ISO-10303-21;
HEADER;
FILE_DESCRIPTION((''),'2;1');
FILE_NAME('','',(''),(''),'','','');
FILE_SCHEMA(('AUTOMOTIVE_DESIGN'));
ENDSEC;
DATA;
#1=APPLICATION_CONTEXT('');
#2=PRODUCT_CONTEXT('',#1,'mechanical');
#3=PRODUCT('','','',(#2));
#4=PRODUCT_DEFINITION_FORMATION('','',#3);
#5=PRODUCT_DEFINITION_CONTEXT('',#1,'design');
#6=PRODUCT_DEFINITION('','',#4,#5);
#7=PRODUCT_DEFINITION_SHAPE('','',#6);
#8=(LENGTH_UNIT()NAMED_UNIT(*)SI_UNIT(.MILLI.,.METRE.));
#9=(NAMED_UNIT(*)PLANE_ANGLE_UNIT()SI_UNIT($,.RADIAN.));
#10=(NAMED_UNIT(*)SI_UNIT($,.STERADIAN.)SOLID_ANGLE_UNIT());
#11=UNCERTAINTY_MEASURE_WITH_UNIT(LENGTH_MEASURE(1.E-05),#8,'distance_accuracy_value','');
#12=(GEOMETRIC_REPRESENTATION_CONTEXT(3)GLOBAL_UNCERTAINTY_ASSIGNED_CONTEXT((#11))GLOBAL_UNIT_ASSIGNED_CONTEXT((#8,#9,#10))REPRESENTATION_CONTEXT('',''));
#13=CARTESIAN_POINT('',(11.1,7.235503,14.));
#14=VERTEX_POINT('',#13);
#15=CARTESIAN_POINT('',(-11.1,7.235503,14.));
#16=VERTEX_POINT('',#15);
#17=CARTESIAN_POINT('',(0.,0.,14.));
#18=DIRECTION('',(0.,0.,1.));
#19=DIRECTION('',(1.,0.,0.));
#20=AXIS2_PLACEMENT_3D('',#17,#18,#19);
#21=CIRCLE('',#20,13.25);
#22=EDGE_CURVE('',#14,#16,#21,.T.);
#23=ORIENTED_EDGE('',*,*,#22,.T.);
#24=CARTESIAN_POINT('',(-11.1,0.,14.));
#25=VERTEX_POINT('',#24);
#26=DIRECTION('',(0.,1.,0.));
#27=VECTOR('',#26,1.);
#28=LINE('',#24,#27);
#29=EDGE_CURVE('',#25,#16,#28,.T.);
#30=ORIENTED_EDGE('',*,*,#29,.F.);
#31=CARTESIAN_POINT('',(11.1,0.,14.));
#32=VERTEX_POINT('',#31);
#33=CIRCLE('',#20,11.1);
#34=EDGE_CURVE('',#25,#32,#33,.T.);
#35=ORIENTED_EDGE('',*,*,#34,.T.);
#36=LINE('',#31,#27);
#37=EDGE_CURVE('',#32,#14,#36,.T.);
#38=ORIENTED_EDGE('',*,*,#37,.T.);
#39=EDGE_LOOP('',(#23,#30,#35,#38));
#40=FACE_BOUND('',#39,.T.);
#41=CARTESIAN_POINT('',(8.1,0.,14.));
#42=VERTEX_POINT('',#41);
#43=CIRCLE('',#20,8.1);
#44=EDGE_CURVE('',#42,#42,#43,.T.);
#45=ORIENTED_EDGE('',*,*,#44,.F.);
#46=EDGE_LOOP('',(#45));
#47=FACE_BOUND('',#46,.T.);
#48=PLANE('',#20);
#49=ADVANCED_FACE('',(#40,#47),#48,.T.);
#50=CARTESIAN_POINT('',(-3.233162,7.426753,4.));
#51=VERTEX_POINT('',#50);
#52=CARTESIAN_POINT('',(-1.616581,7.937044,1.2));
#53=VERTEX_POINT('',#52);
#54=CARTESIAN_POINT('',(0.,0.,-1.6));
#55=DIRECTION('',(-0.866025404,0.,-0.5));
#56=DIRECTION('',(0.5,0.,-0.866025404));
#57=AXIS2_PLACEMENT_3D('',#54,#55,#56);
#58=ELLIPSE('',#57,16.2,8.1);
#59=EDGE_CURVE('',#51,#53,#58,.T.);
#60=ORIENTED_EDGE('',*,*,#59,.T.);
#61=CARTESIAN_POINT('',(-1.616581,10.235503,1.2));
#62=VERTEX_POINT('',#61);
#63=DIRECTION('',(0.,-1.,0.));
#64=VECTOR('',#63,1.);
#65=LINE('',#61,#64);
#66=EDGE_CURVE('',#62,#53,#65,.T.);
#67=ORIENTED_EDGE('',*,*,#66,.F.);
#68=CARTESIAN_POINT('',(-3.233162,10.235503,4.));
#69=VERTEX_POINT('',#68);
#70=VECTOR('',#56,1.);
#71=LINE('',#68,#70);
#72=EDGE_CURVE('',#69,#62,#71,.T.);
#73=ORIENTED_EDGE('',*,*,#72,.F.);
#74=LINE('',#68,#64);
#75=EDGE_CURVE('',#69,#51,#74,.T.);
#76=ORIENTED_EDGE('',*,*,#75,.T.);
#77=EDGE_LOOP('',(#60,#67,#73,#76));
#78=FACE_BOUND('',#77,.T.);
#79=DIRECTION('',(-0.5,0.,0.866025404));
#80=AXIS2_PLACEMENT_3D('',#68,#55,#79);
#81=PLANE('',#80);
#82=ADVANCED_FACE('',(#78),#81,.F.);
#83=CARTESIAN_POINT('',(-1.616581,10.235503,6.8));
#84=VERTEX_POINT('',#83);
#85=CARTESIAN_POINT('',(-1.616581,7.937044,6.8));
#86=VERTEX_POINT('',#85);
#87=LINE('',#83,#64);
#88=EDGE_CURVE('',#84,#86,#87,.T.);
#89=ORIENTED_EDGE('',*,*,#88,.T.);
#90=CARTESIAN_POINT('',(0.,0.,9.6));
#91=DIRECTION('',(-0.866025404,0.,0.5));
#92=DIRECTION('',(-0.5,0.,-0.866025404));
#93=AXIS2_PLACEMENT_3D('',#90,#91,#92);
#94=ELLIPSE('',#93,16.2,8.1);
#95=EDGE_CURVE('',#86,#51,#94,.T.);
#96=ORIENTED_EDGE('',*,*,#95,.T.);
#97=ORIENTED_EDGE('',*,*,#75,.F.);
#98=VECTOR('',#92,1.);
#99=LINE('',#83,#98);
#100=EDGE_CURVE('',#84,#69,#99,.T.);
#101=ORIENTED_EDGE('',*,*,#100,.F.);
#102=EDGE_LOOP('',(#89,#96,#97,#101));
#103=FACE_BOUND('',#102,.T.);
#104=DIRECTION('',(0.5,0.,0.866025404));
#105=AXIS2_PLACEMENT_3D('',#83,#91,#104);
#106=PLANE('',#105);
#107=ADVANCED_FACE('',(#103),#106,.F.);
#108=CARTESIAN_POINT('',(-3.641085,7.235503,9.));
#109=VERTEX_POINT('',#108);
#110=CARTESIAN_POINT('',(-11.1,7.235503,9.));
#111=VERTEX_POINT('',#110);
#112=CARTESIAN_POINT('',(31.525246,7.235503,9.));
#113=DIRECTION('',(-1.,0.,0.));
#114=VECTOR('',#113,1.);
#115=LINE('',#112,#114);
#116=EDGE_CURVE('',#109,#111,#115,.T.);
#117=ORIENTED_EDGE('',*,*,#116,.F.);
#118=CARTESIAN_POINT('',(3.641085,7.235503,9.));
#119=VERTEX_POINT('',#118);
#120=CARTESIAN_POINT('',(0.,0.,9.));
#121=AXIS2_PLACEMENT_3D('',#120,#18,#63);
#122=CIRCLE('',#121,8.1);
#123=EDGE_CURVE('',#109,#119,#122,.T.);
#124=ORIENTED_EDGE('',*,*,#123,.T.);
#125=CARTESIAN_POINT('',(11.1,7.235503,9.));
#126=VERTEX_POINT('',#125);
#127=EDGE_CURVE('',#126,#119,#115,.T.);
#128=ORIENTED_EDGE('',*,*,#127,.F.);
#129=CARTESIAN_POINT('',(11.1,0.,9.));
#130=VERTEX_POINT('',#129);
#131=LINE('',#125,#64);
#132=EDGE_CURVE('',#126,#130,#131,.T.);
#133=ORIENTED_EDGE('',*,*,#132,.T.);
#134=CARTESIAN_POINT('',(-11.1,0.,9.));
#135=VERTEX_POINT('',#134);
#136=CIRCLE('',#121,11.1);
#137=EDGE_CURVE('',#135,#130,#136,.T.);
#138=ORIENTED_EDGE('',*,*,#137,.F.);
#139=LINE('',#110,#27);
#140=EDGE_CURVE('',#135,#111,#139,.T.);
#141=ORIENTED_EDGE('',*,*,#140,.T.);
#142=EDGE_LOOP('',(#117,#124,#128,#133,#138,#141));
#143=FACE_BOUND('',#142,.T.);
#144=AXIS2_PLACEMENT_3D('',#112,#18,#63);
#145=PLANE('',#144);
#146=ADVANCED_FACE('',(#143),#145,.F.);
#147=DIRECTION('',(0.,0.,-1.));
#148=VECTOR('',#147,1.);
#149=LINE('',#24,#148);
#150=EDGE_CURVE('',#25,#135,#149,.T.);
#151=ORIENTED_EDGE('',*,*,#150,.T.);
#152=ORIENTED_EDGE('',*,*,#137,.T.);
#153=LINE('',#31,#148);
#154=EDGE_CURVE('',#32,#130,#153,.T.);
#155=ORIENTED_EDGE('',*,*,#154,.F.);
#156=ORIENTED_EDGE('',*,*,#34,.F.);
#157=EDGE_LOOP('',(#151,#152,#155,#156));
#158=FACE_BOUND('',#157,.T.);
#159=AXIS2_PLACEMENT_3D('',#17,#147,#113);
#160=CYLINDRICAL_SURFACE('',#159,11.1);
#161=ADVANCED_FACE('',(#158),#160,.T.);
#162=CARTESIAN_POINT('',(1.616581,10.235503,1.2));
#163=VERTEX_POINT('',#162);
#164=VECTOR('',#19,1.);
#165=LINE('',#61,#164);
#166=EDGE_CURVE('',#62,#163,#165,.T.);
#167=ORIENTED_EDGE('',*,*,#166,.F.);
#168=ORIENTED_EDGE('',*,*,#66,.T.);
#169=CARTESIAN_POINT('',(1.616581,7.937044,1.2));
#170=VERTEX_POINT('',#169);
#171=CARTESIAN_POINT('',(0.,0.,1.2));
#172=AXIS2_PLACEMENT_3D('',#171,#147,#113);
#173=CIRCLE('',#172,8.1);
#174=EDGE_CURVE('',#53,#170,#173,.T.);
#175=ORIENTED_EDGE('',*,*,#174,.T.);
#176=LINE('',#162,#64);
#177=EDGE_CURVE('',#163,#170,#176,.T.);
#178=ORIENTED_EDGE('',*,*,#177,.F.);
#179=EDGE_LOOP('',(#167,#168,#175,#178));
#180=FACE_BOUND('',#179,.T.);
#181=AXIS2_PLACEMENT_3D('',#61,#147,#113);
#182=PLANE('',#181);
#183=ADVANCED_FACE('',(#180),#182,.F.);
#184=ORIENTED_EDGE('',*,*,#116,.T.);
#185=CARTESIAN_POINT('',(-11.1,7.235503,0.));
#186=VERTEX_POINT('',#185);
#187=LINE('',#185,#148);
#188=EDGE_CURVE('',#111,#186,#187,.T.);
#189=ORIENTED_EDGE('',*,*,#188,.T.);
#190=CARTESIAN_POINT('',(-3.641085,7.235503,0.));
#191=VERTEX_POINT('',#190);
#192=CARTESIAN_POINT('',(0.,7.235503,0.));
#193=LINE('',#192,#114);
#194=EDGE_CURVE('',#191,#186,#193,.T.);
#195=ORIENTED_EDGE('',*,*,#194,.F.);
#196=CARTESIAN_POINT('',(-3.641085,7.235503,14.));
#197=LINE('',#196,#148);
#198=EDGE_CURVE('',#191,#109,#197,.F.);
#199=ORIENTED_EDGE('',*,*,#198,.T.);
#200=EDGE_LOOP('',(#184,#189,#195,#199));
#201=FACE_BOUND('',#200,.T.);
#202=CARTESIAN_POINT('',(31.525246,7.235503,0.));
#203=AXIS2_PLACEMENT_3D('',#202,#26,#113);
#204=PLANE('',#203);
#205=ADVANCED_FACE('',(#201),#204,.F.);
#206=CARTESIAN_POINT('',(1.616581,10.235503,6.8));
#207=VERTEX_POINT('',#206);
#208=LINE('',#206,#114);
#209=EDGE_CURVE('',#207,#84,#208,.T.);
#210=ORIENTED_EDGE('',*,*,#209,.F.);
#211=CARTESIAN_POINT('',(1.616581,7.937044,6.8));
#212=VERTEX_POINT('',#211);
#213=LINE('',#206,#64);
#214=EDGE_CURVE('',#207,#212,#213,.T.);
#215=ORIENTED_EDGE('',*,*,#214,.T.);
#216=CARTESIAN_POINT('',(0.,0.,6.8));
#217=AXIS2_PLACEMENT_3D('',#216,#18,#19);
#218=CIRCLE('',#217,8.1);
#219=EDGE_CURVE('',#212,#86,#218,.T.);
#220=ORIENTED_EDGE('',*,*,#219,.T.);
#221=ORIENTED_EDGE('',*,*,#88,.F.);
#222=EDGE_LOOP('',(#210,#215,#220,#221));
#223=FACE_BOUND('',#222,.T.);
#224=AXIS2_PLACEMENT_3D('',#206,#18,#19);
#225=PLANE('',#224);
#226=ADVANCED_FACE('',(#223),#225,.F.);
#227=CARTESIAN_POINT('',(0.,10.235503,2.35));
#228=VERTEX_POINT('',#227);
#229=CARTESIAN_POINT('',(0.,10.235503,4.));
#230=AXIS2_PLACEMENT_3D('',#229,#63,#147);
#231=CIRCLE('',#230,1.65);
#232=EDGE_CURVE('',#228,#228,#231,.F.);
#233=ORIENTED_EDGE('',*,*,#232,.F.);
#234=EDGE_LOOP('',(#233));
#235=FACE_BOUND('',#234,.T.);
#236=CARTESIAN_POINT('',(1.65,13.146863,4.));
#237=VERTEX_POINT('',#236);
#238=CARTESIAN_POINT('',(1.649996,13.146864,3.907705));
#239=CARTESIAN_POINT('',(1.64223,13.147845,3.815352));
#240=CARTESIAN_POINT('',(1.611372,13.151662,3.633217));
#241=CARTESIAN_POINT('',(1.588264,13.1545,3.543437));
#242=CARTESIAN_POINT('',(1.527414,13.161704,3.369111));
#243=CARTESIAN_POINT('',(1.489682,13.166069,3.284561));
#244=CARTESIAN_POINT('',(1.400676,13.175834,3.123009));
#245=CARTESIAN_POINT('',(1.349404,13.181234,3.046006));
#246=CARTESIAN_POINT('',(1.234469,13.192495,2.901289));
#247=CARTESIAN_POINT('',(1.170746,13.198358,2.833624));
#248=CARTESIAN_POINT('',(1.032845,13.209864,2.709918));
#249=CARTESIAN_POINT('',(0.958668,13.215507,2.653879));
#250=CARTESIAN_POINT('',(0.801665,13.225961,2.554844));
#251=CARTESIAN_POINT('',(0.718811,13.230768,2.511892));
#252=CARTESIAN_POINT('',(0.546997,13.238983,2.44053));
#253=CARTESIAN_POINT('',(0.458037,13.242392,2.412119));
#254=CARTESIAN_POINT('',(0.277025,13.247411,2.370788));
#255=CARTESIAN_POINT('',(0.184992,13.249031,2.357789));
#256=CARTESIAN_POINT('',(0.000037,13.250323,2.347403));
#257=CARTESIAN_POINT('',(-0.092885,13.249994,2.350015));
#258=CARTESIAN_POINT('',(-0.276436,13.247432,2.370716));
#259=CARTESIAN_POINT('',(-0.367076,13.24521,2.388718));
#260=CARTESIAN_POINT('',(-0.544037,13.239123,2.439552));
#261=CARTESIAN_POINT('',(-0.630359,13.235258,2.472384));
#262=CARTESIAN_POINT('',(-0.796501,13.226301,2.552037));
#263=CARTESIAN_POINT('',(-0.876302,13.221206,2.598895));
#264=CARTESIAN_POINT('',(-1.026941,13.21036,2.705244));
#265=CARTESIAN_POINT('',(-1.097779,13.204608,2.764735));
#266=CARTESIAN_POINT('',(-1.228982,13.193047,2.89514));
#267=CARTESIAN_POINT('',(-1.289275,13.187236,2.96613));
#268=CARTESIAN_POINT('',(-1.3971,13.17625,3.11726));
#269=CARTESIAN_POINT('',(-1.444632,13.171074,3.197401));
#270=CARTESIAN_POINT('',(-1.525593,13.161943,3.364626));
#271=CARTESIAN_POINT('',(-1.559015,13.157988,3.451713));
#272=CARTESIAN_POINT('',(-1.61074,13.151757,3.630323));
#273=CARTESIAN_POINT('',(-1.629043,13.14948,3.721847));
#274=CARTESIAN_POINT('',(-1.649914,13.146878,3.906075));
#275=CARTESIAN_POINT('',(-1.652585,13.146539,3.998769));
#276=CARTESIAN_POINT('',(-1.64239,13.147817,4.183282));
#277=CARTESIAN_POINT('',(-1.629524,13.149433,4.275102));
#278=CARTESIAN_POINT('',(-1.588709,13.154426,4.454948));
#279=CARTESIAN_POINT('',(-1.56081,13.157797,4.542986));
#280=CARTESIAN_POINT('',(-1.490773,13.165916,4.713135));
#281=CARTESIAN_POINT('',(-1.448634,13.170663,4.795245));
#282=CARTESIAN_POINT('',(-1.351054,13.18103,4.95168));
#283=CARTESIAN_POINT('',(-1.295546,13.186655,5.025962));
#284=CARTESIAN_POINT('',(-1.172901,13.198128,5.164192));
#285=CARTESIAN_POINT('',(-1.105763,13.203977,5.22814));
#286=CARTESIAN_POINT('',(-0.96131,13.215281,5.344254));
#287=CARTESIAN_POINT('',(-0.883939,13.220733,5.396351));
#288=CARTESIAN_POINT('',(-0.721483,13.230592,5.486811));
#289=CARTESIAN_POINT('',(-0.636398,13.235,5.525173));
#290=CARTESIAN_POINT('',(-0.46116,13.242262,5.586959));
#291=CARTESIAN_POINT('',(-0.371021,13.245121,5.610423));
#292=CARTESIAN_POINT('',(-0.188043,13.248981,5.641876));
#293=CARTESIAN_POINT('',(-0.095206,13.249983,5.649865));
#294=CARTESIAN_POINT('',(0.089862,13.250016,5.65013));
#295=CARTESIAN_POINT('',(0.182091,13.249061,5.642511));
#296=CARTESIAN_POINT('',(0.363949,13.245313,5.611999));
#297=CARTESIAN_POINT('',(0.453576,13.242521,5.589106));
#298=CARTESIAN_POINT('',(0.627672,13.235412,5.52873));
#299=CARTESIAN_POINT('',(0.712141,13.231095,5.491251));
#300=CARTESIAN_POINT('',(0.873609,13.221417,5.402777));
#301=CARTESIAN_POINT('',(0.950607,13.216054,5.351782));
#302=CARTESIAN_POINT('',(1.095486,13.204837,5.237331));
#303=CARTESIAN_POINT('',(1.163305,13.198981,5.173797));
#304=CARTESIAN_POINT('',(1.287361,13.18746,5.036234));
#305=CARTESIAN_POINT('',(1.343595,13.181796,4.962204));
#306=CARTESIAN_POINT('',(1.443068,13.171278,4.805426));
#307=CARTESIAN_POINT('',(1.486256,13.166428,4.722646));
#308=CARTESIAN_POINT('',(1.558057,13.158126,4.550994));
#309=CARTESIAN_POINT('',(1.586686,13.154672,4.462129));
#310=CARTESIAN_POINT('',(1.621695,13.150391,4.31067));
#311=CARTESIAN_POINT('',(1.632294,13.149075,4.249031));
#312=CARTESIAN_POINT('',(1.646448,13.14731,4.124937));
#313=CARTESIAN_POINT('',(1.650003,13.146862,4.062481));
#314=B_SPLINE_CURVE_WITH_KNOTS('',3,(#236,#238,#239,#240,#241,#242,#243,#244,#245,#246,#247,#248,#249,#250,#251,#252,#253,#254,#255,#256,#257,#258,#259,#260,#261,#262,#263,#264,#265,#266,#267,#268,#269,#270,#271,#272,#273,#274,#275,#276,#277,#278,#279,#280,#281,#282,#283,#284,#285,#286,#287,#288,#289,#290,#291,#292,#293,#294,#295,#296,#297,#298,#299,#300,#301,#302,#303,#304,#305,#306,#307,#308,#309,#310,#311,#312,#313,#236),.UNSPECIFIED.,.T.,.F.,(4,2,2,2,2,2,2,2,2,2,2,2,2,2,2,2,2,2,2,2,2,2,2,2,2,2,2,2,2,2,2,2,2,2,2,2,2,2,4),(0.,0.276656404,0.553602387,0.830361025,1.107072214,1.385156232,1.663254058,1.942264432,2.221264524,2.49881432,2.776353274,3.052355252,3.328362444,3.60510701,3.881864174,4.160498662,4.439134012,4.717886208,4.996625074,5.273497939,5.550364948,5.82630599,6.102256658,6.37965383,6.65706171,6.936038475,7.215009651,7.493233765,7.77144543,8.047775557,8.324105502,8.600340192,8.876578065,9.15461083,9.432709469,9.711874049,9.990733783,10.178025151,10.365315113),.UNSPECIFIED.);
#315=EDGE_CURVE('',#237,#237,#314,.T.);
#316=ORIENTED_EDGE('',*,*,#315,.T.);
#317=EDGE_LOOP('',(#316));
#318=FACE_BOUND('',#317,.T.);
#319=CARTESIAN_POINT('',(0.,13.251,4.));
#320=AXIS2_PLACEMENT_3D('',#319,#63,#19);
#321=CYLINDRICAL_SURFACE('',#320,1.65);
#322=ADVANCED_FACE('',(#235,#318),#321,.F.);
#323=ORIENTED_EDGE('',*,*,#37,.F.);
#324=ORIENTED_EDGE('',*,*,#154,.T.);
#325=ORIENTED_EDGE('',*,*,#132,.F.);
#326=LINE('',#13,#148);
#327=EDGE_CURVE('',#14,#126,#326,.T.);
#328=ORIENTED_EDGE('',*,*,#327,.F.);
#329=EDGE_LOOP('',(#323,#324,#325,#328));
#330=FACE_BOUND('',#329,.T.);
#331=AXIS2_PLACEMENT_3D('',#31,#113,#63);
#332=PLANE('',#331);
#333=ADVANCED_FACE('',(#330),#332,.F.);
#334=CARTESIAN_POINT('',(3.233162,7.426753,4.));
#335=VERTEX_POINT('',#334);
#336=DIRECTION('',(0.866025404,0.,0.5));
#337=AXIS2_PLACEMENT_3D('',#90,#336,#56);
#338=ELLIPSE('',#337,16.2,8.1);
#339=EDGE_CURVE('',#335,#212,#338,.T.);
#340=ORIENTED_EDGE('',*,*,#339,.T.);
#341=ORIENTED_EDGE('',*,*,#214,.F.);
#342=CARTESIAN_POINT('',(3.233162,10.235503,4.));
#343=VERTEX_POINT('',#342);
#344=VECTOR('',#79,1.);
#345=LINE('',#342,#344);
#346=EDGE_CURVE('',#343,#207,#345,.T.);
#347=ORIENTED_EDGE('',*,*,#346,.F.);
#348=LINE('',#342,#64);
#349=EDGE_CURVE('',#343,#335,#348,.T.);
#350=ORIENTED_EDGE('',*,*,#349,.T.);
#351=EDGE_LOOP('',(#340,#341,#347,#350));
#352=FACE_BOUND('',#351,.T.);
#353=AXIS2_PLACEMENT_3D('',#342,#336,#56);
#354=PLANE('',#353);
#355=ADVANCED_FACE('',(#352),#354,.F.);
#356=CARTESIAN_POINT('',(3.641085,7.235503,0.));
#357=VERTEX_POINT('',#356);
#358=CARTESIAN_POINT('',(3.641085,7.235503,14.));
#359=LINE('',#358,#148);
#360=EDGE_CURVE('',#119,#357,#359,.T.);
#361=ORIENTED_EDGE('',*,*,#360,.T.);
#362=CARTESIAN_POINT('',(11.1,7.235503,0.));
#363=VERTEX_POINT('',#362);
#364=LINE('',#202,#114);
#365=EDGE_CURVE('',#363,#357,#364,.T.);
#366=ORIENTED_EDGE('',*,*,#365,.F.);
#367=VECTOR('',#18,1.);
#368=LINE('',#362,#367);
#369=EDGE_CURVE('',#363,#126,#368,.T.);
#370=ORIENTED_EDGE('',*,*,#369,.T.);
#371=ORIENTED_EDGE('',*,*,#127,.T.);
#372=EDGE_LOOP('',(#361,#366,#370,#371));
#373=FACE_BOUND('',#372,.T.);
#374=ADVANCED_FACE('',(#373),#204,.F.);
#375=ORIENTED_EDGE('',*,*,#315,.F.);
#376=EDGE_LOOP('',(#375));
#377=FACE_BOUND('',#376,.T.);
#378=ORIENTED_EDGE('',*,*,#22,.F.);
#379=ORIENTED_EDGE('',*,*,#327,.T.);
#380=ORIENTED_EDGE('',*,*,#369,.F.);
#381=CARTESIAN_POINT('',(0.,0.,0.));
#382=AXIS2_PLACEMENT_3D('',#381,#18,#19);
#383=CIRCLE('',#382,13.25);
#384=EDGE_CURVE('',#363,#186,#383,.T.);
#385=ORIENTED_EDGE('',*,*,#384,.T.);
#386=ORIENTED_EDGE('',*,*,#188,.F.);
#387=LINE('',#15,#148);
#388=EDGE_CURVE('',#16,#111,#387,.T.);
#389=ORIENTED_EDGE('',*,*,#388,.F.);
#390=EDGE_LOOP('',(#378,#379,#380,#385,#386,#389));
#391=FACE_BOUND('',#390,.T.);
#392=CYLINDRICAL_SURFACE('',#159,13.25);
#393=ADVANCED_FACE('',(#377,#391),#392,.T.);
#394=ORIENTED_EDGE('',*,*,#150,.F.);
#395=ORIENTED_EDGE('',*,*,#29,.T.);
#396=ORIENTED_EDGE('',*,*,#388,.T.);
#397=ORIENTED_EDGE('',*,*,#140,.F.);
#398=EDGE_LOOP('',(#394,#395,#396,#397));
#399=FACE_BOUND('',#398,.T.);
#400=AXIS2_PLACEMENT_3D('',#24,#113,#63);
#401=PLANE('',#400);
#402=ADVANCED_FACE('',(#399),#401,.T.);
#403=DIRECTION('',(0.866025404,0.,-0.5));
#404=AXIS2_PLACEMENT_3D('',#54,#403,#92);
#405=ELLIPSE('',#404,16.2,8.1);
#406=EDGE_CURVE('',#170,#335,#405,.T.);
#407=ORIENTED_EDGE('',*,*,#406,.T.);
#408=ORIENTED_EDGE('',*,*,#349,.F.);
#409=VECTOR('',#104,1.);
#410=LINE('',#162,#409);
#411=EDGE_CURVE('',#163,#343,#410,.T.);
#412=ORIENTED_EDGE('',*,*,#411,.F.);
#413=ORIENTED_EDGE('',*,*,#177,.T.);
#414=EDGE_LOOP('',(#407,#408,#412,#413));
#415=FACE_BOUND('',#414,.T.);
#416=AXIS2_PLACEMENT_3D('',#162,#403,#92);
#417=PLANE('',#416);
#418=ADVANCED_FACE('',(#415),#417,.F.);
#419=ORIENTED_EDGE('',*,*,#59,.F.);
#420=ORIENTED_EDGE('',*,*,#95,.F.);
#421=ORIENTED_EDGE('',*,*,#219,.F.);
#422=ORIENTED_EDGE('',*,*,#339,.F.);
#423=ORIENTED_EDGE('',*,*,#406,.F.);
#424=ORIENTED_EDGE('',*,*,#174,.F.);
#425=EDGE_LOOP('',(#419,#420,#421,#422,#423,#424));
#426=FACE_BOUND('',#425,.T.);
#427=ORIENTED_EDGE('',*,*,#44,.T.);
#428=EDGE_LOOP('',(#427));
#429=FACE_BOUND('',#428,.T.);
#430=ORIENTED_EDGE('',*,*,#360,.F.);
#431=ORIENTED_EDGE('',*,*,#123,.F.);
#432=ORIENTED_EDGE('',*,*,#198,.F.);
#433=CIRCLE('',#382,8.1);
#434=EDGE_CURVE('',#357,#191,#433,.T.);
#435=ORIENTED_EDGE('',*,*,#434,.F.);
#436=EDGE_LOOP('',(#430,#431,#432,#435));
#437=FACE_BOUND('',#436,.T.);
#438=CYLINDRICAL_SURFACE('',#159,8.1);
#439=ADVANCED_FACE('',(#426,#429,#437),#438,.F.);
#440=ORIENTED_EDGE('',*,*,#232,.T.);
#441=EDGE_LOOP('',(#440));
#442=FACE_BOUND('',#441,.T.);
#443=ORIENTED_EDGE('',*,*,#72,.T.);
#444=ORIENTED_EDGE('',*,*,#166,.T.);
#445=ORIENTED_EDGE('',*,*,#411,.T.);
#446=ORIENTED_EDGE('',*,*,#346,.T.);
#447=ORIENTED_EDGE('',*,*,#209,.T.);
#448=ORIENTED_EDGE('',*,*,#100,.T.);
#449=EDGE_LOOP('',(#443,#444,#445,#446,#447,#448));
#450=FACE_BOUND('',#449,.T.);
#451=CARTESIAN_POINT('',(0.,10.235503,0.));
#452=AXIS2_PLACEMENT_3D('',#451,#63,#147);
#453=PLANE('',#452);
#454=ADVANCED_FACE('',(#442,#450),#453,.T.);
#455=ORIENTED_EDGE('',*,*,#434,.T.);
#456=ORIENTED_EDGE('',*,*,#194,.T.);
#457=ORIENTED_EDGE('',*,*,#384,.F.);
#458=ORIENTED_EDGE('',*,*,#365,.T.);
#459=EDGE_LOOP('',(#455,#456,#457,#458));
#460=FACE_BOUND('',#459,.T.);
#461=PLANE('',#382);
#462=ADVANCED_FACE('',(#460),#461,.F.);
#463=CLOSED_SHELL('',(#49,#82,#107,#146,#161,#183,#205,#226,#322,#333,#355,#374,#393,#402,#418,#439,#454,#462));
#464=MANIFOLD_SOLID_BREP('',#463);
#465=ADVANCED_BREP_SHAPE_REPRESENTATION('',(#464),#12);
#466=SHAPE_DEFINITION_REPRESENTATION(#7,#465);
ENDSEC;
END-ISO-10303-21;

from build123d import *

# Parameters (mm, degrees)
SKETCH1_R               = 8.1
BOSS_EXTRUDE1_DEPTH     = 14
CUT_EXTRUDE1_REACH      = 31.401
SKETCH2_W               = 9
SKETCH2_H               = 18.335502747
CUT_EXTRUDE2_REACH      = 27.601
CUT_EXTRUDE2_END_RADIUS = 13.25
SKETCH3_R               = 1.65
CUT_EXTRUDE3_DEPTH      = 3


with BuildPart() as part:
    # Sketch1 → Boss-Extrude1 (new body)
    with BuildSketch(Plane.XY):
        with BuildLine():
            ThreePointArc((-11.1, 0), (0, -11.1), (11.1, 0))
            Line((11.1, 0), (11.1, 7.235502747))
            ThreePointArc((11.1, 7.235502747), (0, 13.25), (-11.1, 7.235502747))
            Line((-11.1, 7.235502747), (-11.1, 0))
        make_face()
        Circle(SKETCH1_R, mode=Mode.SUBTRACT)
    extrude(amount=BOSS_EXTRUDE1_DEPTH)

    # Cut-Extrude1: up to this face of the body (flat: up to its plane)
    cut_extrude1_end = Plane(part.part.faces().sort_by_distance((11.1, 3.617751373, 7))[0])
    # Sketch2 → Cut-Extrude1 (cut, up to the picked face)
    with BuildSketch(Plane.ZY.offset(11.1), mode=Mode.PRIVATE) as cut_extrude1_sk1:
        with Locations((4.5, -1.932248627)):
            Rectangle(SKETCH2_W, SKETCH2_H)
    cut_extrude1_tool1 = split(extrude(cut_extrude1_sk1.sketch, amount=-CUT_EXTRUDE1_REACH, mode=Mode.PRIVATE), bisect_by=cut_extrude1_end, keep=Keep.BOTH, mode=Mode.PRIVATE)
    add(cut_extrude1_tool1.solids().sort_by(Axis((-11.1, -1.932249, 4.5), (1, 0, 0)))[0], mode=Mode.SUBTRACT)

    # Cut-Extrude2: up to this cylinder (the profile starts inside it)
    cut_extrude2_end = Plane(origin=(0, 0, 4), z_dir=(0, 0, -1)) * Cylinder(CUT_EXTRUDE2_END_RADIUS, 82.702, mode=Mode.PRIVATE)
    # Sketch3 → Cut-Extrude2 (cut, up to the surface)
    with BuildSketch(Plane.XZ.offset(-7.235502747), mode=Mode.PRIVATE) as cut_extrude2_sk1:
        with Locations((0, 4)):
            Circle(SKETCH3_R)
    cut_extrude2_tool1 = extrude(cut_extrude2_sk1.sketch, amount=-CUT_EXTRUDE2_REACH, mode=Mode.PRIVATE) & cut_extrude2_end
    add(cut_extrude2_tool1.solids().sort_by_distance((0, 7.235503, 4))[0], mode=Mode.SUBTRACT)

    # Sketch4 → Cut-Extrude3 (cut)
    with BuildSketch(Plane.XZ.offset(-7.235502747)):
        Polygon((1.616580754, 6.8), (-1.616580754, 6.8), (-3.233161507, 4), (-1.616580754, 1.2), (1.616580754, 1.2), (3.233161507, 4), align=None)
    extrude(amount=-CUT_EXTRUDE3_DEPTH, mode=Mode.SUBTRACT)


solid = part.part
